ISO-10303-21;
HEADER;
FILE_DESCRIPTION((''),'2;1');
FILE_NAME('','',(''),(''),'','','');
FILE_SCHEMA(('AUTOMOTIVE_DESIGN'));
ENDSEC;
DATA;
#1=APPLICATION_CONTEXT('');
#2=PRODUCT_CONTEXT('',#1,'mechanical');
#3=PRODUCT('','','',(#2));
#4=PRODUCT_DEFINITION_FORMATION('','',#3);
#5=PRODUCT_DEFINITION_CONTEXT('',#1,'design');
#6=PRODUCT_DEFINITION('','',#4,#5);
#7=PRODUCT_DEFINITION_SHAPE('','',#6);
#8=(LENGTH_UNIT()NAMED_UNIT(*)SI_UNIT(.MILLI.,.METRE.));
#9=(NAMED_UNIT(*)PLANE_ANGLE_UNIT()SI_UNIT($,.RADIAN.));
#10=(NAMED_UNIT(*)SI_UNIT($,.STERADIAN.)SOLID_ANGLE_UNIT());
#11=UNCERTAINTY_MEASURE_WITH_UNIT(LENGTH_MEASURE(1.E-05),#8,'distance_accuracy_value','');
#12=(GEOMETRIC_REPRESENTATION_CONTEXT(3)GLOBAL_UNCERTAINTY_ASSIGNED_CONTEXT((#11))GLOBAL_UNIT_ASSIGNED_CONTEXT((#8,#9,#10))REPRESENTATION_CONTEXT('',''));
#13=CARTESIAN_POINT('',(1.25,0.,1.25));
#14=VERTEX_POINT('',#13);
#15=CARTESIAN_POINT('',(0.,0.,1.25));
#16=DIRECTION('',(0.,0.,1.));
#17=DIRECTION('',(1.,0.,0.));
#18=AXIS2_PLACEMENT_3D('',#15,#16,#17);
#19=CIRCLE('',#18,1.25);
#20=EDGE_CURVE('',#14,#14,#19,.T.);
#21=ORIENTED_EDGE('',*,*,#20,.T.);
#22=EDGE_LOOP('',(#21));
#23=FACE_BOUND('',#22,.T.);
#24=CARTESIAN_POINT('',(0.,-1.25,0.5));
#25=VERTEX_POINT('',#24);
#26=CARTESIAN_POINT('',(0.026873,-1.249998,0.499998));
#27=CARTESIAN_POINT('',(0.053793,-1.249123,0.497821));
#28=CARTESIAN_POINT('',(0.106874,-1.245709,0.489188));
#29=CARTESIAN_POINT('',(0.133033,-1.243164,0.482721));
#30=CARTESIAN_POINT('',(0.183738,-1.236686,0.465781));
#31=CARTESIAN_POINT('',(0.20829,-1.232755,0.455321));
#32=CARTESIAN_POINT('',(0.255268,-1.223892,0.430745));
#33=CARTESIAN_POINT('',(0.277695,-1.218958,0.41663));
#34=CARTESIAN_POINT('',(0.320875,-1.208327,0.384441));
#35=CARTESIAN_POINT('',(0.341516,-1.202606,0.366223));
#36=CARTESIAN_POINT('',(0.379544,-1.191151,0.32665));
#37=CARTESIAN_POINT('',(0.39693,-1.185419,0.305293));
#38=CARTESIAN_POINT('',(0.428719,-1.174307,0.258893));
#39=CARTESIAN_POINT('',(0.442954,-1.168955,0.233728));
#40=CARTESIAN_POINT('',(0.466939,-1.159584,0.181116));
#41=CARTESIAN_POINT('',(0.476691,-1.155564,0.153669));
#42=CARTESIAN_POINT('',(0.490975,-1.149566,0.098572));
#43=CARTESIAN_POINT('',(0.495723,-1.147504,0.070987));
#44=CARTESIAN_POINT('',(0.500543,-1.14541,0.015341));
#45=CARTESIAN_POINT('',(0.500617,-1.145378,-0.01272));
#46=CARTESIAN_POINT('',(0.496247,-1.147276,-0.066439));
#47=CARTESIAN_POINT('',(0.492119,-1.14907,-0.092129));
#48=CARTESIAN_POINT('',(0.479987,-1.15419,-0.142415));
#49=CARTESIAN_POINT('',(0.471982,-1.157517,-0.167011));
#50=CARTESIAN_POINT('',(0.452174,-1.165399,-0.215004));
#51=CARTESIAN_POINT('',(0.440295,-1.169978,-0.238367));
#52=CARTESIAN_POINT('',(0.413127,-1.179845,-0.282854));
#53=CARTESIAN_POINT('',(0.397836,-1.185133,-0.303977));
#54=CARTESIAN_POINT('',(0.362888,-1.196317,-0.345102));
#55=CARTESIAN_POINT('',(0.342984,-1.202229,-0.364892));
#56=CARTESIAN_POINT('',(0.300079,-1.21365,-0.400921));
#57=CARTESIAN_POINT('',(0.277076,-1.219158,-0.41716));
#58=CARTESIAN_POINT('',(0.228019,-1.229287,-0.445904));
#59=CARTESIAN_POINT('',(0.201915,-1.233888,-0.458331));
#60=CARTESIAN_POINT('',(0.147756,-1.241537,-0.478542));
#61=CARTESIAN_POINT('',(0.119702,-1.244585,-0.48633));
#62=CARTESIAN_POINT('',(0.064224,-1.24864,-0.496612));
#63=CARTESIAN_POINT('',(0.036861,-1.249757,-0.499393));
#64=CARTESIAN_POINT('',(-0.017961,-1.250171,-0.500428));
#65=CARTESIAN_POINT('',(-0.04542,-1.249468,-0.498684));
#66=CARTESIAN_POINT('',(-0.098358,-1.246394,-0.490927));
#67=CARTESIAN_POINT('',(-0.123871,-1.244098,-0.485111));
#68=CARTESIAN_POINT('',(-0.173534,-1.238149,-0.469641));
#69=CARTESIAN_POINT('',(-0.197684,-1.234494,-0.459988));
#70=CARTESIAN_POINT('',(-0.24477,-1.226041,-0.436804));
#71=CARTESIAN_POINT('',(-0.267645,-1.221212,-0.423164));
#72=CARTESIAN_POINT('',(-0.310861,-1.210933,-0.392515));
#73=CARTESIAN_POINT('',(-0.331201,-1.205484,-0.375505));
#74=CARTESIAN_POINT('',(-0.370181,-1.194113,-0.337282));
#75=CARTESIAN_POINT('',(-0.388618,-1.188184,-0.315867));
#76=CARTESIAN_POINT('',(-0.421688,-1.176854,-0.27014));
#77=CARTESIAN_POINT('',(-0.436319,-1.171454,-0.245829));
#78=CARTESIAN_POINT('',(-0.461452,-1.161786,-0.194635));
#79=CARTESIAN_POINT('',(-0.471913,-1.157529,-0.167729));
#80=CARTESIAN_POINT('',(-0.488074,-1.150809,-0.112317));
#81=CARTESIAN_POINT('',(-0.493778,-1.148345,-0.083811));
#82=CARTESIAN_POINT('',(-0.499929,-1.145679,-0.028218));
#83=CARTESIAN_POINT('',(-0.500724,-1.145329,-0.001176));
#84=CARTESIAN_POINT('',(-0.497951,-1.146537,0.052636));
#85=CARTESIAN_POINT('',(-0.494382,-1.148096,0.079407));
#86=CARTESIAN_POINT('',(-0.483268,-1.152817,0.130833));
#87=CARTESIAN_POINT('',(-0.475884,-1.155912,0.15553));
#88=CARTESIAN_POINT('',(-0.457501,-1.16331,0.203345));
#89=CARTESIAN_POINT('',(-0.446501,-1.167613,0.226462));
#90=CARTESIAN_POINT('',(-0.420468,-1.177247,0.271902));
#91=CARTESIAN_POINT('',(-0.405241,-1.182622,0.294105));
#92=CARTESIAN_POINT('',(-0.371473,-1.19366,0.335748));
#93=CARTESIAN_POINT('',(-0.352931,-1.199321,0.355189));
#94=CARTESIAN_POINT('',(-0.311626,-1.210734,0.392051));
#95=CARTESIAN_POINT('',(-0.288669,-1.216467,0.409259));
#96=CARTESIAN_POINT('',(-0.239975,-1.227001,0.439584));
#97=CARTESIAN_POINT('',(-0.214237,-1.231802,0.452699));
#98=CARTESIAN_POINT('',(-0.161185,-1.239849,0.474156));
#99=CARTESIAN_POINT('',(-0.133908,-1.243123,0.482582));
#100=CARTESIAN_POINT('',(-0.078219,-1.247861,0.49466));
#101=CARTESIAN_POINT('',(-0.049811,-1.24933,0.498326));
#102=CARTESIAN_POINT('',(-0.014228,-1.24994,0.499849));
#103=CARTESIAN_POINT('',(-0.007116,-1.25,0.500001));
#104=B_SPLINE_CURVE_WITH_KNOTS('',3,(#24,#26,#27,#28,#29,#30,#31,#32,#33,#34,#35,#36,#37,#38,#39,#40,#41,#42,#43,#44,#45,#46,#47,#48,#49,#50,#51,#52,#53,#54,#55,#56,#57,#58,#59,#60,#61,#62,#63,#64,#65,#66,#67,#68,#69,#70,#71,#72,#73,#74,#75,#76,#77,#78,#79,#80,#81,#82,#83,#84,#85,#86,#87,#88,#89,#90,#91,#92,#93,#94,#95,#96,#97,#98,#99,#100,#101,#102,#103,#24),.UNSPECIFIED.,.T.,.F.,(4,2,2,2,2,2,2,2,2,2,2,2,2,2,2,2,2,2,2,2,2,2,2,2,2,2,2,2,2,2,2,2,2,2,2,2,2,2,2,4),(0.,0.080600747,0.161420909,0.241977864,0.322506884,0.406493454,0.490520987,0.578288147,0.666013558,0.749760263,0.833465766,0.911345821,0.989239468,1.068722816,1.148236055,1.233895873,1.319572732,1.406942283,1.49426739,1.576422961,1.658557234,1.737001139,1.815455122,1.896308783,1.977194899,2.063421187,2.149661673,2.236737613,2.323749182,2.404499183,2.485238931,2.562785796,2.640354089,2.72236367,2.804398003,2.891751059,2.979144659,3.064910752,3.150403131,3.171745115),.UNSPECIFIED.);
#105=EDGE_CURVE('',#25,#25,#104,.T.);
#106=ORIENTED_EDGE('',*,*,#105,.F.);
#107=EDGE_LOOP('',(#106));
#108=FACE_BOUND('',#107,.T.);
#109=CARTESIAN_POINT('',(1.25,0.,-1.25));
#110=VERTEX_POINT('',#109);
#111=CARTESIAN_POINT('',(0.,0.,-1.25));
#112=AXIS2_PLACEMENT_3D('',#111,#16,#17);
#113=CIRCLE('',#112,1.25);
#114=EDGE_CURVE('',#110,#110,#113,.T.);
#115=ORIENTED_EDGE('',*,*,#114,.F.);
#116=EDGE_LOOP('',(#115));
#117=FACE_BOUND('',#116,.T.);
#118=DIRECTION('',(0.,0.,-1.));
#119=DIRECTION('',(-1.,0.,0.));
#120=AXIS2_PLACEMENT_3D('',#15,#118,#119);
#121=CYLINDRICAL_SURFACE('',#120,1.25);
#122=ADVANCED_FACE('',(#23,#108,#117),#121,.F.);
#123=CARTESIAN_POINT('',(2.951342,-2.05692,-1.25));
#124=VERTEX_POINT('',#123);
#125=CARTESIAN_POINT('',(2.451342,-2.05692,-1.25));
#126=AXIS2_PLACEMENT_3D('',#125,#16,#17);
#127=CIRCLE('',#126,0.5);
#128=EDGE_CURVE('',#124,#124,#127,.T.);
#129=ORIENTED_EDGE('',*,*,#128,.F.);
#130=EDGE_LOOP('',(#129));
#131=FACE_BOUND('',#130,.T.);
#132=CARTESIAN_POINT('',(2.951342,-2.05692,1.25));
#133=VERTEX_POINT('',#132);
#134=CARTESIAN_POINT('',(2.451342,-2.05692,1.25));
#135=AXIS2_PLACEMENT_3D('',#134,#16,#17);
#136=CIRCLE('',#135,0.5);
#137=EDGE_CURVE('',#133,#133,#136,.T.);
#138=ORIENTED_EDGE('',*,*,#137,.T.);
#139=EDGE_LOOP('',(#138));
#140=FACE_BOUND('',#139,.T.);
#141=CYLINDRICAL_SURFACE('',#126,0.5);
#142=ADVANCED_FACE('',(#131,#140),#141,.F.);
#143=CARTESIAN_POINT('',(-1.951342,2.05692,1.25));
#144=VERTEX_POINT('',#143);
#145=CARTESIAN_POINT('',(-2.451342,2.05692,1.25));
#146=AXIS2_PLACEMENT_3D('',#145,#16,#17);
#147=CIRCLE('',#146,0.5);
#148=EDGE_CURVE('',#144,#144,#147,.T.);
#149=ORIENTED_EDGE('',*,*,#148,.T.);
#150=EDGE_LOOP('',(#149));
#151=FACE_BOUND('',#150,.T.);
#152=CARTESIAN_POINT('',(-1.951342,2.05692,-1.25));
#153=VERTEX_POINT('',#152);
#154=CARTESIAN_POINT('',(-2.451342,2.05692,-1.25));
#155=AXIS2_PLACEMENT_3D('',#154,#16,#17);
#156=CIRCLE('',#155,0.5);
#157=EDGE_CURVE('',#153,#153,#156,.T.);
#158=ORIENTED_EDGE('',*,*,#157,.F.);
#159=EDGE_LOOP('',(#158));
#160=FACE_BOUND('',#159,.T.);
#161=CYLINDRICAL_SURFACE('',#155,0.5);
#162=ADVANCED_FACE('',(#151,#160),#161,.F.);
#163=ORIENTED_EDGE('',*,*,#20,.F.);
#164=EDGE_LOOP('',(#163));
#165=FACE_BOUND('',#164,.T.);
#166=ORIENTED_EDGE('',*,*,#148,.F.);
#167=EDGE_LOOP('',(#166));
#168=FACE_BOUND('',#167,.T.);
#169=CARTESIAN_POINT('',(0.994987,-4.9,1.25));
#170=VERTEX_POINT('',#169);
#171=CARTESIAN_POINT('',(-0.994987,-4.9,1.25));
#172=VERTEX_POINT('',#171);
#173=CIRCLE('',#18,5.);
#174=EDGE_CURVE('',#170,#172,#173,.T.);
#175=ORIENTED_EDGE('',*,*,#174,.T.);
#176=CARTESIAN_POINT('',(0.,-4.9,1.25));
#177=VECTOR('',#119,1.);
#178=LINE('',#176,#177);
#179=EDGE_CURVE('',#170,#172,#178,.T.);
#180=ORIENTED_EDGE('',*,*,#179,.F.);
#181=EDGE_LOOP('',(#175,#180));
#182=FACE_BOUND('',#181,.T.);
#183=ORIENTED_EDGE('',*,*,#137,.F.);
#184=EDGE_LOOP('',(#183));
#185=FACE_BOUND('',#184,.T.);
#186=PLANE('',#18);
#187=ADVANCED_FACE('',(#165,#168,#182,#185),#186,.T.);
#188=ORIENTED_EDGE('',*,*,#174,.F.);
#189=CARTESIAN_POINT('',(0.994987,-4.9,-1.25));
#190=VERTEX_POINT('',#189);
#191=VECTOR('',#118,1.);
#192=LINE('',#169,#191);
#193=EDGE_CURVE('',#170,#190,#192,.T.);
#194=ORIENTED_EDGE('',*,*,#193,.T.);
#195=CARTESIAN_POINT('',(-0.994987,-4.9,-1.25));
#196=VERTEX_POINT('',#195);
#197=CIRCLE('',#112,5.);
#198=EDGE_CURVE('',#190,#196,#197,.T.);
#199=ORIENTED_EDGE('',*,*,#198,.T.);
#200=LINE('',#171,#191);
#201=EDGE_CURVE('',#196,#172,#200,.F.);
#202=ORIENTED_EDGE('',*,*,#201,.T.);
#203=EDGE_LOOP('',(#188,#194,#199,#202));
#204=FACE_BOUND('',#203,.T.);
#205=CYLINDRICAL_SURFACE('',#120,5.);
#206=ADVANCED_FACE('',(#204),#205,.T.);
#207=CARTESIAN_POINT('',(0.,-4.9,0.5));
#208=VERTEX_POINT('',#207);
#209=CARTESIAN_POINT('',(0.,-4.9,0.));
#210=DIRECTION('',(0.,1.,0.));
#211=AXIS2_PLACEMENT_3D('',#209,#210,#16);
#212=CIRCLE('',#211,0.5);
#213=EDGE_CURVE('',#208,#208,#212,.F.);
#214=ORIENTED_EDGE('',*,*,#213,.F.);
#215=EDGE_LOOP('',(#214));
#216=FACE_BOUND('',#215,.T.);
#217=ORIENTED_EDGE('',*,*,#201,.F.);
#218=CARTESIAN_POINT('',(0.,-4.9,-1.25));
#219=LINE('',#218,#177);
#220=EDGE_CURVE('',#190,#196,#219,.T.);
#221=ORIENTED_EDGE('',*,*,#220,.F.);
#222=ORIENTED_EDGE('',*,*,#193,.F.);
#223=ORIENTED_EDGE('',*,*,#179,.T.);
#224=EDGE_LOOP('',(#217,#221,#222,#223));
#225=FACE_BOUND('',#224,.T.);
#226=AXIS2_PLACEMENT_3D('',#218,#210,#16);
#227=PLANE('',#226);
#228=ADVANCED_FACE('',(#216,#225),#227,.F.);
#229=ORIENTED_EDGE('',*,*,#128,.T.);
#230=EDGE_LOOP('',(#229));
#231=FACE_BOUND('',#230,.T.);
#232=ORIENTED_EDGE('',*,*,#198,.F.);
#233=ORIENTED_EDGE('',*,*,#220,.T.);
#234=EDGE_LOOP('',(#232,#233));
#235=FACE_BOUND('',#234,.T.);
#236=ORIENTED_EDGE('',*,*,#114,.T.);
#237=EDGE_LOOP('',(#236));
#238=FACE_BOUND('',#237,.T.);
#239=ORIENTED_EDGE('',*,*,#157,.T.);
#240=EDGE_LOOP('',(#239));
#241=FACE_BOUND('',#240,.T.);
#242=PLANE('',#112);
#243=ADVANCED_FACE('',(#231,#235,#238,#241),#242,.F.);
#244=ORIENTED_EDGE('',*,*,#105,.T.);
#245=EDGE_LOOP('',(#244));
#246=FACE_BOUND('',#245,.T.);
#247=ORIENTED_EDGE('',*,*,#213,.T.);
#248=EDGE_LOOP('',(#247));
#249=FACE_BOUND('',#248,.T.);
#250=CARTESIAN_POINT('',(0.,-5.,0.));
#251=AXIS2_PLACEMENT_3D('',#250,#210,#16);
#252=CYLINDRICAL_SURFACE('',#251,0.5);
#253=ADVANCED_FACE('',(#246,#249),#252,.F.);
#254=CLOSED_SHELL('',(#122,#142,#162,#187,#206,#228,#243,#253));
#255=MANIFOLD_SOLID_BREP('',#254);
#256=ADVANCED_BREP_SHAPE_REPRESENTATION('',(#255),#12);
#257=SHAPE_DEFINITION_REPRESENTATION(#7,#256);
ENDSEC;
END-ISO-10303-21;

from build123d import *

# Parameters (mm, degrees)
SKETCH1_R           = 5
SKETCH1_R_2         = 1.25
EXTRUDE1_DEPTH      = 1.25
EXTRUDE2_DEPTH      = 8.180703308
EXTRUDE2_DEPTH_BACK = 8.180703308
SKETCH2_R           = 0.5
SKETCH3_R           = 0.5
EXTRUDE3_DEPTH      = 8.180703308
EXTRUDE4_DEPTH      = 8.180703465
EXTRUDE4_DEPTH_BACK = 8.180703465
SKETCH4_W           = 4.205463009
SKETCH4_H           = 0.572765835
SKETCH4_W_2         = 4.092184544


with BuildPart() as part:
    # Sketch1 → Extrude1 (new, symmetric)
    with BuildSketch(Plane.XY):
        Circle(SKETCH1_R)
        Circle(SKETCH1_R_2, mode=Mode.SUBTRACT)
    extrude(amount=EXTRUDE1_DEPTH, both=True)

    # Sketch2 → Extrude2 (cut, two sides: drawn at the far end of the back side and taken through both)
    with BuildSketch(Plane.XY.offset(-EXTRUDE2_DEPTH_BACK)):
        with Locations((-2.451342218, 2.056920351)):
            Circle(SKETCH2_R)
        with Locations((2.451342218, -2.056920351)):
            Circle(SKETCH2_R)
    extrude(amount=EXTRUDE2_DEPTH + EXTRUDE2_DEPTH_BACK, mode=Mode.SUBTRACT)

    # Sketch3 → Extrude3 (cut, through all)
    with BuildSketch(Plane(origin=(0, 0, 0), x_dir=(1, 0, 0), z_dir=(0, 1, 0))):
        with Locations(Location((0, 0, 0), (0, 0, 270))):
            Circle(SKETCH3_R)
    extrude(amount=-EXTRUDE3_DEPTH, mode=Mode.SUBTRACT)

    # Sketch4 → Extrude4 (cut, two sides: drawn at the far end of the back side and taken through both)
    with BuildSketch(Plane.XY.offset(-EXTRUDE4_DEPTH_BACK)):
        with Locations((-2.102731505, -5.186382918)):
            Rectangle(SKETCH4_W, SKETCH4_H)
        with Locations((2.046092272, -5.186382918)):
            Rectangle(SKETCH4_W_2, SKETCH4_H)
    extrude(amount=EXTRUDE4_DEPTH + EXTRUDE4_DEPTH_BACK, mode=Mode.SUBTRACT)


solid = part.part
